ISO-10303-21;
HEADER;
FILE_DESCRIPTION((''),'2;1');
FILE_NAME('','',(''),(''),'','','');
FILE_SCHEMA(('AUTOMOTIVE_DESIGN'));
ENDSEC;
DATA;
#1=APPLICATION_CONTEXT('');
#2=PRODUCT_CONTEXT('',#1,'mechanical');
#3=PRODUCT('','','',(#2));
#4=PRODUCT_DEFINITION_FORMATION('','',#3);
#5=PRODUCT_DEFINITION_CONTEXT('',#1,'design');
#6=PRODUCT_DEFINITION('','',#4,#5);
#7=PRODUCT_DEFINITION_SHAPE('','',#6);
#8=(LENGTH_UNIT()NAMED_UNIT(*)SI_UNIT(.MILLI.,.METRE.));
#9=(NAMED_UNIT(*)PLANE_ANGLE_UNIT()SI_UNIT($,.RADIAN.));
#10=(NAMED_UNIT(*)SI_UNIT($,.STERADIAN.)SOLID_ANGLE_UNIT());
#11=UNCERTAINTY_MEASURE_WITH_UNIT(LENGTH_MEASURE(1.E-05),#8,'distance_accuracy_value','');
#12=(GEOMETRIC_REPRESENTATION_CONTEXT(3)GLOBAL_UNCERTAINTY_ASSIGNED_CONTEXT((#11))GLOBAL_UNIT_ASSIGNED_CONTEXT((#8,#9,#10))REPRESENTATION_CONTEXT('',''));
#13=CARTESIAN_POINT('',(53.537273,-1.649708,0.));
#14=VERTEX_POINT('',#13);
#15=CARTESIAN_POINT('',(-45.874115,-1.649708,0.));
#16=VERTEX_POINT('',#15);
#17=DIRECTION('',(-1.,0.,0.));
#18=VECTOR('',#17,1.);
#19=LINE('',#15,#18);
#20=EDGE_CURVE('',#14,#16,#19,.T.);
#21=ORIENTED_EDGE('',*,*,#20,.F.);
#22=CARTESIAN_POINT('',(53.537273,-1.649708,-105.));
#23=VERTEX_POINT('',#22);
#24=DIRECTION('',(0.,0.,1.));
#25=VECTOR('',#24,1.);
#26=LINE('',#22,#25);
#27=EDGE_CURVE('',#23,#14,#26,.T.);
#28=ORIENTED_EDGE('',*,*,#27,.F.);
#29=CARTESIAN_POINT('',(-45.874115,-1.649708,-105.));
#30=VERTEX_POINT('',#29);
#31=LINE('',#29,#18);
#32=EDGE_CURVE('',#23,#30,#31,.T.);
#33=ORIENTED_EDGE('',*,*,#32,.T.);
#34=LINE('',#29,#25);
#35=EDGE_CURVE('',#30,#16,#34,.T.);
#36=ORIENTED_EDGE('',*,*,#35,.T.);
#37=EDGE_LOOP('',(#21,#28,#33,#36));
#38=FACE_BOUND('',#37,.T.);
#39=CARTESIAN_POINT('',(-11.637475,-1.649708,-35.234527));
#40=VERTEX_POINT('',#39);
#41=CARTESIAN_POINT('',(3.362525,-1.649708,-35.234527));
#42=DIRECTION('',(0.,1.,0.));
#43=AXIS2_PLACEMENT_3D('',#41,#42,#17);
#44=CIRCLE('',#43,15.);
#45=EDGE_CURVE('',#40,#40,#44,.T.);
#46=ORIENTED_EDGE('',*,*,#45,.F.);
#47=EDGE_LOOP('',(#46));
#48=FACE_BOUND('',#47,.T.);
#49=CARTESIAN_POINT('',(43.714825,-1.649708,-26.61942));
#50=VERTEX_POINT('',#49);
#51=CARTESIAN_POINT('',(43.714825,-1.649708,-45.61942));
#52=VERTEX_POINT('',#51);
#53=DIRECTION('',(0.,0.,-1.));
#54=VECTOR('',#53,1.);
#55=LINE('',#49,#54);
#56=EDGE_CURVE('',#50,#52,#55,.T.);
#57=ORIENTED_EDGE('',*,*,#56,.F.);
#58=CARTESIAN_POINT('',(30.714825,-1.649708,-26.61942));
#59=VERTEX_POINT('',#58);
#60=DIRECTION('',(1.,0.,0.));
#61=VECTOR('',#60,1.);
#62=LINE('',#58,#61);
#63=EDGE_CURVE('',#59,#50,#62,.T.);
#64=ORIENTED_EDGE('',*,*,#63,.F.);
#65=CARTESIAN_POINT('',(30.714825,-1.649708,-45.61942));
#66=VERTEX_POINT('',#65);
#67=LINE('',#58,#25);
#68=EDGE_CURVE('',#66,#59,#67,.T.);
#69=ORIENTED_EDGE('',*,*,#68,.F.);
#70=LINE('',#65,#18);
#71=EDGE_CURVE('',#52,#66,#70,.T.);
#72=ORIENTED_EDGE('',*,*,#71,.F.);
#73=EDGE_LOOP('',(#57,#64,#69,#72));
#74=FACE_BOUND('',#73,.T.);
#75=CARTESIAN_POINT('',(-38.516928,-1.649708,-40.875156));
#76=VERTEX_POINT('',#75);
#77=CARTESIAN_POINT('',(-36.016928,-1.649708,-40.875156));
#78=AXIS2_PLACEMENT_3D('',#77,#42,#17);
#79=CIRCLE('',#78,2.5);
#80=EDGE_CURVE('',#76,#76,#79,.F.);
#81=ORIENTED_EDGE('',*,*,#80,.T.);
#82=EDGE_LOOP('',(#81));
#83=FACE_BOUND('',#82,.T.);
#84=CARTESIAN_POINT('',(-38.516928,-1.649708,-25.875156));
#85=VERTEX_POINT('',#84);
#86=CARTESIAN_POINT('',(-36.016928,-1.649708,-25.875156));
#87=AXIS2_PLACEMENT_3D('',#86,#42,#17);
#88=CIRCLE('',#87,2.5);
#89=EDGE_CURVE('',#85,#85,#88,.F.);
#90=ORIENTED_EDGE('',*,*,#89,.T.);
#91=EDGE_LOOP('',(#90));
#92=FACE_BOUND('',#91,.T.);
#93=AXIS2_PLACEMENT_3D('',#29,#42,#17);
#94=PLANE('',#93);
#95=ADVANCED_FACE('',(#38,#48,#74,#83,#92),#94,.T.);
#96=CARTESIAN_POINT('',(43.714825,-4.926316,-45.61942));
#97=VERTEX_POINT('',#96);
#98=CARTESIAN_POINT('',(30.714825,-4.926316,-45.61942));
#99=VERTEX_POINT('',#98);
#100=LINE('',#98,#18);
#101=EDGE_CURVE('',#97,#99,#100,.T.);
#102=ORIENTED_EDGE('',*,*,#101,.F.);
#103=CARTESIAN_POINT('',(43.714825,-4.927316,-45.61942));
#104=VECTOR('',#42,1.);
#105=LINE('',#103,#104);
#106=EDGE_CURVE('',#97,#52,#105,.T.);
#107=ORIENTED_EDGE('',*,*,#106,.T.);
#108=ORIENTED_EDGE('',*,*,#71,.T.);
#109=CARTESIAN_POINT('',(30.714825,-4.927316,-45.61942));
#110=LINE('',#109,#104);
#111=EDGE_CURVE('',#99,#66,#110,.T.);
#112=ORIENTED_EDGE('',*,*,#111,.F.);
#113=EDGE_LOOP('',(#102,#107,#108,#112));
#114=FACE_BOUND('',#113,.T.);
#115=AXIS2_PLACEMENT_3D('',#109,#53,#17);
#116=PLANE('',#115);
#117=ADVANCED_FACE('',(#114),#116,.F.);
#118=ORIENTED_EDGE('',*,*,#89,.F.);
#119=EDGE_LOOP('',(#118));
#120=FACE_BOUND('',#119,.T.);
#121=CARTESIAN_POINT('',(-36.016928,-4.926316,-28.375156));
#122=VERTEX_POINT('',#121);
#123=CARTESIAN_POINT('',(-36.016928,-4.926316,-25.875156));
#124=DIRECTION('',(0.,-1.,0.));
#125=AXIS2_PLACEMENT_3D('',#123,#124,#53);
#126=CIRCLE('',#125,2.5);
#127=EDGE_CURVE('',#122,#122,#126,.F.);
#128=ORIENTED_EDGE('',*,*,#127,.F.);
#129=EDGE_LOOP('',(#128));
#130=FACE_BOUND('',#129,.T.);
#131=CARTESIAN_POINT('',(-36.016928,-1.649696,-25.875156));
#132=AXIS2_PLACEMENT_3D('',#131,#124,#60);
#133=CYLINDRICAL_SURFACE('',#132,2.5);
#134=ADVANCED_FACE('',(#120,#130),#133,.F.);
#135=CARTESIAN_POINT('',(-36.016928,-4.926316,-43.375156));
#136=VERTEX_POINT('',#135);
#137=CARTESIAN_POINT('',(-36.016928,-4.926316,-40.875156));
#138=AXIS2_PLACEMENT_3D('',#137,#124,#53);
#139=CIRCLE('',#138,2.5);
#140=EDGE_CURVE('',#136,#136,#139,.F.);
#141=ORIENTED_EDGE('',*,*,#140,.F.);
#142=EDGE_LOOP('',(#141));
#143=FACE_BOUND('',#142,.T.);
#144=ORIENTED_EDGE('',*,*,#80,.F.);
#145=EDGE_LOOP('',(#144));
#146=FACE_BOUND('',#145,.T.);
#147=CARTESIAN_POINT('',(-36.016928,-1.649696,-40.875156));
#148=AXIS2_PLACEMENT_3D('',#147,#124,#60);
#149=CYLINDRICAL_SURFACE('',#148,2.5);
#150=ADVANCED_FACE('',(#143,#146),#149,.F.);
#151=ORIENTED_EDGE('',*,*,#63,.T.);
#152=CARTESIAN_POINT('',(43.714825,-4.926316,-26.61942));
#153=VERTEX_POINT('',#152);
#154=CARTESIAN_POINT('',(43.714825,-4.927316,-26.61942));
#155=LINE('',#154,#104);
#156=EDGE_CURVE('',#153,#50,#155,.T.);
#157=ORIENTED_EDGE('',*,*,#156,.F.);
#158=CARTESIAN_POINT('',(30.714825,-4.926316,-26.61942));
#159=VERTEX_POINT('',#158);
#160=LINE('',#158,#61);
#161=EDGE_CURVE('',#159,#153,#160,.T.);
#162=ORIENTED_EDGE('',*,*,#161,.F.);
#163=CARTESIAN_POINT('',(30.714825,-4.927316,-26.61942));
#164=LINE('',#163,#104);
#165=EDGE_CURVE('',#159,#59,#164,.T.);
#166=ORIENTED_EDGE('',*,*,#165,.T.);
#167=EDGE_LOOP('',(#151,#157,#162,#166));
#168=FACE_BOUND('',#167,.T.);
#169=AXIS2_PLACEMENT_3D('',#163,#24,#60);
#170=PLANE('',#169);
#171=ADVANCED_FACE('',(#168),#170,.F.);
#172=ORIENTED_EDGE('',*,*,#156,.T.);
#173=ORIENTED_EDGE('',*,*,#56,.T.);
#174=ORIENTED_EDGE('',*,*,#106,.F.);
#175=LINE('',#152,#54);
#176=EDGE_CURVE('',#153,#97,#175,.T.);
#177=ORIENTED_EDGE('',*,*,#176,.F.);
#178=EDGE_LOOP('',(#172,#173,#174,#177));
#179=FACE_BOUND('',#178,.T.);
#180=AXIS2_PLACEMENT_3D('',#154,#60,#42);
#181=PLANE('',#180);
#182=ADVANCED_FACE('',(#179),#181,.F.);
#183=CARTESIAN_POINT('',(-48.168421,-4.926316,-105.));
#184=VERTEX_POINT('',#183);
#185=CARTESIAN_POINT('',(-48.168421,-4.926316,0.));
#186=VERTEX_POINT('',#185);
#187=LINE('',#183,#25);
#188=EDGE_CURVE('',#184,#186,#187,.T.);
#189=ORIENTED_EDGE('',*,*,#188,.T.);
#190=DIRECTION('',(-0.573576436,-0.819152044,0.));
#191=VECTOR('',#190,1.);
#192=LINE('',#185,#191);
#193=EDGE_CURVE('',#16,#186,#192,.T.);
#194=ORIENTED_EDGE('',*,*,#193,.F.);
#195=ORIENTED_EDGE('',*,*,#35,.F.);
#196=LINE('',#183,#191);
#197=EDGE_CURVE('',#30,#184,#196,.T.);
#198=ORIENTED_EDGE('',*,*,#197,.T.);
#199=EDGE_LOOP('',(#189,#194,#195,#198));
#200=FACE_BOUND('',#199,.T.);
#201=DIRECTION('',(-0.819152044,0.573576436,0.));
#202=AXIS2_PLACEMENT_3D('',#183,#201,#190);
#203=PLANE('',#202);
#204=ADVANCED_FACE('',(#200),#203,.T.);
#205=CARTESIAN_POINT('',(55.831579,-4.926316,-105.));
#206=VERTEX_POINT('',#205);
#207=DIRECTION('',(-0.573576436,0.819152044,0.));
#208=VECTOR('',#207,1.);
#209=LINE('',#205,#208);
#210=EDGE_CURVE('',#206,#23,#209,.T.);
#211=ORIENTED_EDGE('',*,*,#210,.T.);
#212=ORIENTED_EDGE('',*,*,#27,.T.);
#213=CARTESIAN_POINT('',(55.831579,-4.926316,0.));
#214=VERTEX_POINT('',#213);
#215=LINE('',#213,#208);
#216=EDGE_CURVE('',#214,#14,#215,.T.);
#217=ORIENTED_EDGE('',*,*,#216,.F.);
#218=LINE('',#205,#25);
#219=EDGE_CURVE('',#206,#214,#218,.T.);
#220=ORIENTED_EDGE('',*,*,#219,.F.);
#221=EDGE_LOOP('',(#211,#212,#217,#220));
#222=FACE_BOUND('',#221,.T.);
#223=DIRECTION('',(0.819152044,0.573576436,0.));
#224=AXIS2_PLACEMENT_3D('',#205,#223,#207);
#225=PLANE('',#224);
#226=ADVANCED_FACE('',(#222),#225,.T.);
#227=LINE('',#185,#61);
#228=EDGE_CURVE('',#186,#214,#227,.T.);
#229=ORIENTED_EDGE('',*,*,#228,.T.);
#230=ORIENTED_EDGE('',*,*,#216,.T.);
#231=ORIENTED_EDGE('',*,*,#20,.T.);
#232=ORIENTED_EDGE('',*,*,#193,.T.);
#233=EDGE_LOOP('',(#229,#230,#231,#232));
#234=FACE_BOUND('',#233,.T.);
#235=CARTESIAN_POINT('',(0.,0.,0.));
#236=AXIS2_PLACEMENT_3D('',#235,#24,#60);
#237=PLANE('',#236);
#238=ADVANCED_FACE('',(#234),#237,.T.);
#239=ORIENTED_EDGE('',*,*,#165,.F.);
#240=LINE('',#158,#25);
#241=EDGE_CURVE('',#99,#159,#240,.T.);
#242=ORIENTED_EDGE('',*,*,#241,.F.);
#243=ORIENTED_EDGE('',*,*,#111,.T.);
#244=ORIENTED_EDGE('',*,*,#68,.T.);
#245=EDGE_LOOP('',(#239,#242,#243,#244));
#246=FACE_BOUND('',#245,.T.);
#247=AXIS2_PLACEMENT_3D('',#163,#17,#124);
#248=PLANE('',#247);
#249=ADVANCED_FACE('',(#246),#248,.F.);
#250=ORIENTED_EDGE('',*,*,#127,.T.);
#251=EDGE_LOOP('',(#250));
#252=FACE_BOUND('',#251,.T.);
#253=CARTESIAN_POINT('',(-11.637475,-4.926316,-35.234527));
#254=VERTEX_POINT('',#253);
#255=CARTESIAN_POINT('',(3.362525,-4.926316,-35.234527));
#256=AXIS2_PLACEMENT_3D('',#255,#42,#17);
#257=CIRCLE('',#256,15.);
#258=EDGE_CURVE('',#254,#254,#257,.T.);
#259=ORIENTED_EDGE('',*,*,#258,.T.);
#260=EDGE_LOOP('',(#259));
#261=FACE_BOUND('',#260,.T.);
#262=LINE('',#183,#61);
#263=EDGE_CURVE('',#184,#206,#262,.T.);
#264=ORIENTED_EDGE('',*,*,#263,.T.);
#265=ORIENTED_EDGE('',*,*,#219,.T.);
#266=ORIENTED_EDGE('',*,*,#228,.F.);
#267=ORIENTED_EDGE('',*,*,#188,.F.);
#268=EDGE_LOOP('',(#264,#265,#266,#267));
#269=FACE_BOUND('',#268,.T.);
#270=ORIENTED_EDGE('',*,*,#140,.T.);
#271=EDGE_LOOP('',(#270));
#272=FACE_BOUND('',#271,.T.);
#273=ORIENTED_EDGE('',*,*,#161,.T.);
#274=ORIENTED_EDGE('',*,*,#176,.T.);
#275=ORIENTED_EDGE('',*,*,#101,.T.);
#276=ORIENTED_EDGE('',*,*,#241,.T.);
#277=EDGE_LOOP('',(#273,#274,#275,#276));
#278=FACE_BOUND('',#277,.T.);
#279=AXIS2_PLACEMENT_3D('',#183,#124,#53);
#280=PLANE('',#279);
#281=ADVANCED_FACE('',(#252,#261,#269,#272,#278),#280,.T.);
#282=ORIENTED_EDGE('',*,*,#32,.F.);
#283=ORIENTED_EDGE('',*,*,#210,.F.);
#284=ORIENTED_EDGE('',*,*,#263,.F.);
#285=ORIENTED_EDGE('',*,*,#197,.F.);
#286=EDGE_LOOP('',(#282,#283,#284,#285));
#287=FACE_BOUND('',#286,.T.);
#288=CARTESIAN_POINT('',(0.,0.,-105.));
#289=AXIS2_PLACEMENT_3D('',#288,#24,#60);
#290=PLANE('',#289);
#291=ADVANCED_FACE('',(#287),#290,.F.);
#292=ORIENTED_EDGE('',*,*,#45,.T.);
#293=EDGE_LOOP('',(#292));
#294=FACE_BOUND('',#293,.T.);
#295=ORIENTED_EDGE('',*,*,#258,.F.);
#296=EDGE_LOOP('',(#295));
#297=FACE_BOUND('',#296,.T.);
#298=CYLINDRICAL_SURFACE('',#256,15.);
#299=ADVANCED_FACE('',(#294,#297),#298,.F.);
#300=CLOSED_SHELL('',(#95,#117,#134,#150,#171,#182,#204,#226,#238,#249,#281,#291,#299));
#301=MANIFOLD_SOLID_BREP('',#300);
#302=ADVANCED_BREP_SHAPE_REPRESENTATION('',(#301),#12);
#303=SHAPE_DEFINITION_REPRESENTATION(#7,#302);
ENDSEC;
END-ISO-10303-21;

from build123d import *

# Parameters (mm, degrees)
BOSS_EXTRUDE1_DEPTH            = 105
SKETCH2_R                      = 15
CUT_EXTRUDE1_DEPTH             = 1
CUT_EXTRUDE1_DEPTH_BACK        = 4.276608177
CUT_EXTRUDE2_REACH             = 5.277
SKETCH3_R                      = 2.5
CUT_EXTRUDE2_DIRECTION_2_DEPTH = 1
CUT_EXTRUDE3_REACH             = 5.277
SKETCH4_W                      = 13
SKETCH4_H                      = 19


with BuildPart() as part:
    # Sketch1 → Boss-Extrude1 (new body)
    with BuildSketch(Plane.XY):
        Polygon((-48.168421053, -4.926315789), (55.831578947, -4.926315789), (53.537273202, -1.649707612), (-45.874115307, -1.649707612), align=None)
    extrude(amount=-BOSS_EXTRUDE1_DEPTH)

    # Sketch2 → Cut-Extrude1 (cut, two sides)
    with BuildSketch(Plane(origin=(0, -1.649707612, 0), x_dir=(1, 0, 0), z_dir=(0, 1, 0))) as cut_extrude1_sk:
        with Locations((3.362524977, 35.234526985)):
            Circle(SKETCH2_R)
    extrude(amount=CUT_EXTRUDE1_DEPTH, mode=Mode.SUBTRACT)
    extrude(cut_extrude1_sk.sketch, amount=-CUT_EXTRUDE1_DEPTH_BACK, mode=Mode.SUBTRACT)

    # Sketch3 → Cut-Extrude2 (cut, up to next)
    with BuildSketch(Plane(origin=(0, -1.649707612, 0), x_dir=(1, 0, 0), z_dir=(0, 1, 0)), mode=Mode.PRIVATE) as cut_extrude2_sk1:
        with Locations((-36.016928445, 25.875156143)):
            Circle(SKETCH3_R)
    cut_extrude2_tool1 = extrude(cut_extrude2_sk1.sketch, amount=-CUT_EXTRUDE2_REACH, mode=Mode.PRIVATE) & part.part
    add(cut_extrude2_tool1.solids().sort_by_distance((-36.016928, -1.649708, -25.875156))[0], mode=Mode.SUBTRACT)
    # Sketch3 → Cut-Extrude2 (cut, up to next)
    with BuildSketch(Plane(origin=(0, -1.649707612, 0), x_dir=(1, 0, 0), z_dir=(0, 1, 0)), mode=Mode.PRIVATE) as cut_extrude2_sk2:
        with Locations((-36.016928445, 40.875156143)):
            Circle(SKETCH3_R)
    cut_extrude2_tool2 = extrude(cut_extrude2_sk2.sketch, amount=-CUT_EXTRUDE2_REACH, mode=Mode.PRIVATE) & part.part
    add(cut_extrude2_tool2.solids().sort_by_distance((-36.016928, -1.649708, -40.875156))[0], mode=Mode.SUBTRACT)

    # Sketch3 → Cut-Extrude2 direction 2 (cut)
    with BuildSketch(Plane(origin=(0, -1.649707612, 0), x_dir=(1, 0, 0), z_dir=(0, 1, 0))):
        with Locations((-36.016928445, 25.875156143)):
            Circle(SKETCH3_R)
        with Locations((-36.016928445, 40.875156143)):
            Circle(SKETCH3_R)
    extrude(amount=CUT_EXTRUDE2_DIRECTION_2_DEPTH, mode=Mode.SUBTRACT)

    # Sketch4 → Cut-Extrude3 (cut, up to next)
    with BuildSketch(Plane(origin=(0, -1.649707612, 0), x_dir=(1, 0, 0), z_dir=(0, 1, 0)), mode=Mode.PRIVATE) as cut_extrude3_sk1:
        with Locations((37.21482517, 36.119420448)):
            Rectangle(SKETCH4_W, SKETCH4_H)
    cut_extrude3_tool1 = extrude(cut_extrude3_sk1.sketch, amount=-CUT_EXTRUDE3_REACH, mode=Mode.PRIVATE) & part.part
    add(cut_extrude3_tool1.solids().sort_by_distance((37.214825, -1.649708, -36.11942))[0], mode=Mode.SUBTRACT)


solid = part.part
